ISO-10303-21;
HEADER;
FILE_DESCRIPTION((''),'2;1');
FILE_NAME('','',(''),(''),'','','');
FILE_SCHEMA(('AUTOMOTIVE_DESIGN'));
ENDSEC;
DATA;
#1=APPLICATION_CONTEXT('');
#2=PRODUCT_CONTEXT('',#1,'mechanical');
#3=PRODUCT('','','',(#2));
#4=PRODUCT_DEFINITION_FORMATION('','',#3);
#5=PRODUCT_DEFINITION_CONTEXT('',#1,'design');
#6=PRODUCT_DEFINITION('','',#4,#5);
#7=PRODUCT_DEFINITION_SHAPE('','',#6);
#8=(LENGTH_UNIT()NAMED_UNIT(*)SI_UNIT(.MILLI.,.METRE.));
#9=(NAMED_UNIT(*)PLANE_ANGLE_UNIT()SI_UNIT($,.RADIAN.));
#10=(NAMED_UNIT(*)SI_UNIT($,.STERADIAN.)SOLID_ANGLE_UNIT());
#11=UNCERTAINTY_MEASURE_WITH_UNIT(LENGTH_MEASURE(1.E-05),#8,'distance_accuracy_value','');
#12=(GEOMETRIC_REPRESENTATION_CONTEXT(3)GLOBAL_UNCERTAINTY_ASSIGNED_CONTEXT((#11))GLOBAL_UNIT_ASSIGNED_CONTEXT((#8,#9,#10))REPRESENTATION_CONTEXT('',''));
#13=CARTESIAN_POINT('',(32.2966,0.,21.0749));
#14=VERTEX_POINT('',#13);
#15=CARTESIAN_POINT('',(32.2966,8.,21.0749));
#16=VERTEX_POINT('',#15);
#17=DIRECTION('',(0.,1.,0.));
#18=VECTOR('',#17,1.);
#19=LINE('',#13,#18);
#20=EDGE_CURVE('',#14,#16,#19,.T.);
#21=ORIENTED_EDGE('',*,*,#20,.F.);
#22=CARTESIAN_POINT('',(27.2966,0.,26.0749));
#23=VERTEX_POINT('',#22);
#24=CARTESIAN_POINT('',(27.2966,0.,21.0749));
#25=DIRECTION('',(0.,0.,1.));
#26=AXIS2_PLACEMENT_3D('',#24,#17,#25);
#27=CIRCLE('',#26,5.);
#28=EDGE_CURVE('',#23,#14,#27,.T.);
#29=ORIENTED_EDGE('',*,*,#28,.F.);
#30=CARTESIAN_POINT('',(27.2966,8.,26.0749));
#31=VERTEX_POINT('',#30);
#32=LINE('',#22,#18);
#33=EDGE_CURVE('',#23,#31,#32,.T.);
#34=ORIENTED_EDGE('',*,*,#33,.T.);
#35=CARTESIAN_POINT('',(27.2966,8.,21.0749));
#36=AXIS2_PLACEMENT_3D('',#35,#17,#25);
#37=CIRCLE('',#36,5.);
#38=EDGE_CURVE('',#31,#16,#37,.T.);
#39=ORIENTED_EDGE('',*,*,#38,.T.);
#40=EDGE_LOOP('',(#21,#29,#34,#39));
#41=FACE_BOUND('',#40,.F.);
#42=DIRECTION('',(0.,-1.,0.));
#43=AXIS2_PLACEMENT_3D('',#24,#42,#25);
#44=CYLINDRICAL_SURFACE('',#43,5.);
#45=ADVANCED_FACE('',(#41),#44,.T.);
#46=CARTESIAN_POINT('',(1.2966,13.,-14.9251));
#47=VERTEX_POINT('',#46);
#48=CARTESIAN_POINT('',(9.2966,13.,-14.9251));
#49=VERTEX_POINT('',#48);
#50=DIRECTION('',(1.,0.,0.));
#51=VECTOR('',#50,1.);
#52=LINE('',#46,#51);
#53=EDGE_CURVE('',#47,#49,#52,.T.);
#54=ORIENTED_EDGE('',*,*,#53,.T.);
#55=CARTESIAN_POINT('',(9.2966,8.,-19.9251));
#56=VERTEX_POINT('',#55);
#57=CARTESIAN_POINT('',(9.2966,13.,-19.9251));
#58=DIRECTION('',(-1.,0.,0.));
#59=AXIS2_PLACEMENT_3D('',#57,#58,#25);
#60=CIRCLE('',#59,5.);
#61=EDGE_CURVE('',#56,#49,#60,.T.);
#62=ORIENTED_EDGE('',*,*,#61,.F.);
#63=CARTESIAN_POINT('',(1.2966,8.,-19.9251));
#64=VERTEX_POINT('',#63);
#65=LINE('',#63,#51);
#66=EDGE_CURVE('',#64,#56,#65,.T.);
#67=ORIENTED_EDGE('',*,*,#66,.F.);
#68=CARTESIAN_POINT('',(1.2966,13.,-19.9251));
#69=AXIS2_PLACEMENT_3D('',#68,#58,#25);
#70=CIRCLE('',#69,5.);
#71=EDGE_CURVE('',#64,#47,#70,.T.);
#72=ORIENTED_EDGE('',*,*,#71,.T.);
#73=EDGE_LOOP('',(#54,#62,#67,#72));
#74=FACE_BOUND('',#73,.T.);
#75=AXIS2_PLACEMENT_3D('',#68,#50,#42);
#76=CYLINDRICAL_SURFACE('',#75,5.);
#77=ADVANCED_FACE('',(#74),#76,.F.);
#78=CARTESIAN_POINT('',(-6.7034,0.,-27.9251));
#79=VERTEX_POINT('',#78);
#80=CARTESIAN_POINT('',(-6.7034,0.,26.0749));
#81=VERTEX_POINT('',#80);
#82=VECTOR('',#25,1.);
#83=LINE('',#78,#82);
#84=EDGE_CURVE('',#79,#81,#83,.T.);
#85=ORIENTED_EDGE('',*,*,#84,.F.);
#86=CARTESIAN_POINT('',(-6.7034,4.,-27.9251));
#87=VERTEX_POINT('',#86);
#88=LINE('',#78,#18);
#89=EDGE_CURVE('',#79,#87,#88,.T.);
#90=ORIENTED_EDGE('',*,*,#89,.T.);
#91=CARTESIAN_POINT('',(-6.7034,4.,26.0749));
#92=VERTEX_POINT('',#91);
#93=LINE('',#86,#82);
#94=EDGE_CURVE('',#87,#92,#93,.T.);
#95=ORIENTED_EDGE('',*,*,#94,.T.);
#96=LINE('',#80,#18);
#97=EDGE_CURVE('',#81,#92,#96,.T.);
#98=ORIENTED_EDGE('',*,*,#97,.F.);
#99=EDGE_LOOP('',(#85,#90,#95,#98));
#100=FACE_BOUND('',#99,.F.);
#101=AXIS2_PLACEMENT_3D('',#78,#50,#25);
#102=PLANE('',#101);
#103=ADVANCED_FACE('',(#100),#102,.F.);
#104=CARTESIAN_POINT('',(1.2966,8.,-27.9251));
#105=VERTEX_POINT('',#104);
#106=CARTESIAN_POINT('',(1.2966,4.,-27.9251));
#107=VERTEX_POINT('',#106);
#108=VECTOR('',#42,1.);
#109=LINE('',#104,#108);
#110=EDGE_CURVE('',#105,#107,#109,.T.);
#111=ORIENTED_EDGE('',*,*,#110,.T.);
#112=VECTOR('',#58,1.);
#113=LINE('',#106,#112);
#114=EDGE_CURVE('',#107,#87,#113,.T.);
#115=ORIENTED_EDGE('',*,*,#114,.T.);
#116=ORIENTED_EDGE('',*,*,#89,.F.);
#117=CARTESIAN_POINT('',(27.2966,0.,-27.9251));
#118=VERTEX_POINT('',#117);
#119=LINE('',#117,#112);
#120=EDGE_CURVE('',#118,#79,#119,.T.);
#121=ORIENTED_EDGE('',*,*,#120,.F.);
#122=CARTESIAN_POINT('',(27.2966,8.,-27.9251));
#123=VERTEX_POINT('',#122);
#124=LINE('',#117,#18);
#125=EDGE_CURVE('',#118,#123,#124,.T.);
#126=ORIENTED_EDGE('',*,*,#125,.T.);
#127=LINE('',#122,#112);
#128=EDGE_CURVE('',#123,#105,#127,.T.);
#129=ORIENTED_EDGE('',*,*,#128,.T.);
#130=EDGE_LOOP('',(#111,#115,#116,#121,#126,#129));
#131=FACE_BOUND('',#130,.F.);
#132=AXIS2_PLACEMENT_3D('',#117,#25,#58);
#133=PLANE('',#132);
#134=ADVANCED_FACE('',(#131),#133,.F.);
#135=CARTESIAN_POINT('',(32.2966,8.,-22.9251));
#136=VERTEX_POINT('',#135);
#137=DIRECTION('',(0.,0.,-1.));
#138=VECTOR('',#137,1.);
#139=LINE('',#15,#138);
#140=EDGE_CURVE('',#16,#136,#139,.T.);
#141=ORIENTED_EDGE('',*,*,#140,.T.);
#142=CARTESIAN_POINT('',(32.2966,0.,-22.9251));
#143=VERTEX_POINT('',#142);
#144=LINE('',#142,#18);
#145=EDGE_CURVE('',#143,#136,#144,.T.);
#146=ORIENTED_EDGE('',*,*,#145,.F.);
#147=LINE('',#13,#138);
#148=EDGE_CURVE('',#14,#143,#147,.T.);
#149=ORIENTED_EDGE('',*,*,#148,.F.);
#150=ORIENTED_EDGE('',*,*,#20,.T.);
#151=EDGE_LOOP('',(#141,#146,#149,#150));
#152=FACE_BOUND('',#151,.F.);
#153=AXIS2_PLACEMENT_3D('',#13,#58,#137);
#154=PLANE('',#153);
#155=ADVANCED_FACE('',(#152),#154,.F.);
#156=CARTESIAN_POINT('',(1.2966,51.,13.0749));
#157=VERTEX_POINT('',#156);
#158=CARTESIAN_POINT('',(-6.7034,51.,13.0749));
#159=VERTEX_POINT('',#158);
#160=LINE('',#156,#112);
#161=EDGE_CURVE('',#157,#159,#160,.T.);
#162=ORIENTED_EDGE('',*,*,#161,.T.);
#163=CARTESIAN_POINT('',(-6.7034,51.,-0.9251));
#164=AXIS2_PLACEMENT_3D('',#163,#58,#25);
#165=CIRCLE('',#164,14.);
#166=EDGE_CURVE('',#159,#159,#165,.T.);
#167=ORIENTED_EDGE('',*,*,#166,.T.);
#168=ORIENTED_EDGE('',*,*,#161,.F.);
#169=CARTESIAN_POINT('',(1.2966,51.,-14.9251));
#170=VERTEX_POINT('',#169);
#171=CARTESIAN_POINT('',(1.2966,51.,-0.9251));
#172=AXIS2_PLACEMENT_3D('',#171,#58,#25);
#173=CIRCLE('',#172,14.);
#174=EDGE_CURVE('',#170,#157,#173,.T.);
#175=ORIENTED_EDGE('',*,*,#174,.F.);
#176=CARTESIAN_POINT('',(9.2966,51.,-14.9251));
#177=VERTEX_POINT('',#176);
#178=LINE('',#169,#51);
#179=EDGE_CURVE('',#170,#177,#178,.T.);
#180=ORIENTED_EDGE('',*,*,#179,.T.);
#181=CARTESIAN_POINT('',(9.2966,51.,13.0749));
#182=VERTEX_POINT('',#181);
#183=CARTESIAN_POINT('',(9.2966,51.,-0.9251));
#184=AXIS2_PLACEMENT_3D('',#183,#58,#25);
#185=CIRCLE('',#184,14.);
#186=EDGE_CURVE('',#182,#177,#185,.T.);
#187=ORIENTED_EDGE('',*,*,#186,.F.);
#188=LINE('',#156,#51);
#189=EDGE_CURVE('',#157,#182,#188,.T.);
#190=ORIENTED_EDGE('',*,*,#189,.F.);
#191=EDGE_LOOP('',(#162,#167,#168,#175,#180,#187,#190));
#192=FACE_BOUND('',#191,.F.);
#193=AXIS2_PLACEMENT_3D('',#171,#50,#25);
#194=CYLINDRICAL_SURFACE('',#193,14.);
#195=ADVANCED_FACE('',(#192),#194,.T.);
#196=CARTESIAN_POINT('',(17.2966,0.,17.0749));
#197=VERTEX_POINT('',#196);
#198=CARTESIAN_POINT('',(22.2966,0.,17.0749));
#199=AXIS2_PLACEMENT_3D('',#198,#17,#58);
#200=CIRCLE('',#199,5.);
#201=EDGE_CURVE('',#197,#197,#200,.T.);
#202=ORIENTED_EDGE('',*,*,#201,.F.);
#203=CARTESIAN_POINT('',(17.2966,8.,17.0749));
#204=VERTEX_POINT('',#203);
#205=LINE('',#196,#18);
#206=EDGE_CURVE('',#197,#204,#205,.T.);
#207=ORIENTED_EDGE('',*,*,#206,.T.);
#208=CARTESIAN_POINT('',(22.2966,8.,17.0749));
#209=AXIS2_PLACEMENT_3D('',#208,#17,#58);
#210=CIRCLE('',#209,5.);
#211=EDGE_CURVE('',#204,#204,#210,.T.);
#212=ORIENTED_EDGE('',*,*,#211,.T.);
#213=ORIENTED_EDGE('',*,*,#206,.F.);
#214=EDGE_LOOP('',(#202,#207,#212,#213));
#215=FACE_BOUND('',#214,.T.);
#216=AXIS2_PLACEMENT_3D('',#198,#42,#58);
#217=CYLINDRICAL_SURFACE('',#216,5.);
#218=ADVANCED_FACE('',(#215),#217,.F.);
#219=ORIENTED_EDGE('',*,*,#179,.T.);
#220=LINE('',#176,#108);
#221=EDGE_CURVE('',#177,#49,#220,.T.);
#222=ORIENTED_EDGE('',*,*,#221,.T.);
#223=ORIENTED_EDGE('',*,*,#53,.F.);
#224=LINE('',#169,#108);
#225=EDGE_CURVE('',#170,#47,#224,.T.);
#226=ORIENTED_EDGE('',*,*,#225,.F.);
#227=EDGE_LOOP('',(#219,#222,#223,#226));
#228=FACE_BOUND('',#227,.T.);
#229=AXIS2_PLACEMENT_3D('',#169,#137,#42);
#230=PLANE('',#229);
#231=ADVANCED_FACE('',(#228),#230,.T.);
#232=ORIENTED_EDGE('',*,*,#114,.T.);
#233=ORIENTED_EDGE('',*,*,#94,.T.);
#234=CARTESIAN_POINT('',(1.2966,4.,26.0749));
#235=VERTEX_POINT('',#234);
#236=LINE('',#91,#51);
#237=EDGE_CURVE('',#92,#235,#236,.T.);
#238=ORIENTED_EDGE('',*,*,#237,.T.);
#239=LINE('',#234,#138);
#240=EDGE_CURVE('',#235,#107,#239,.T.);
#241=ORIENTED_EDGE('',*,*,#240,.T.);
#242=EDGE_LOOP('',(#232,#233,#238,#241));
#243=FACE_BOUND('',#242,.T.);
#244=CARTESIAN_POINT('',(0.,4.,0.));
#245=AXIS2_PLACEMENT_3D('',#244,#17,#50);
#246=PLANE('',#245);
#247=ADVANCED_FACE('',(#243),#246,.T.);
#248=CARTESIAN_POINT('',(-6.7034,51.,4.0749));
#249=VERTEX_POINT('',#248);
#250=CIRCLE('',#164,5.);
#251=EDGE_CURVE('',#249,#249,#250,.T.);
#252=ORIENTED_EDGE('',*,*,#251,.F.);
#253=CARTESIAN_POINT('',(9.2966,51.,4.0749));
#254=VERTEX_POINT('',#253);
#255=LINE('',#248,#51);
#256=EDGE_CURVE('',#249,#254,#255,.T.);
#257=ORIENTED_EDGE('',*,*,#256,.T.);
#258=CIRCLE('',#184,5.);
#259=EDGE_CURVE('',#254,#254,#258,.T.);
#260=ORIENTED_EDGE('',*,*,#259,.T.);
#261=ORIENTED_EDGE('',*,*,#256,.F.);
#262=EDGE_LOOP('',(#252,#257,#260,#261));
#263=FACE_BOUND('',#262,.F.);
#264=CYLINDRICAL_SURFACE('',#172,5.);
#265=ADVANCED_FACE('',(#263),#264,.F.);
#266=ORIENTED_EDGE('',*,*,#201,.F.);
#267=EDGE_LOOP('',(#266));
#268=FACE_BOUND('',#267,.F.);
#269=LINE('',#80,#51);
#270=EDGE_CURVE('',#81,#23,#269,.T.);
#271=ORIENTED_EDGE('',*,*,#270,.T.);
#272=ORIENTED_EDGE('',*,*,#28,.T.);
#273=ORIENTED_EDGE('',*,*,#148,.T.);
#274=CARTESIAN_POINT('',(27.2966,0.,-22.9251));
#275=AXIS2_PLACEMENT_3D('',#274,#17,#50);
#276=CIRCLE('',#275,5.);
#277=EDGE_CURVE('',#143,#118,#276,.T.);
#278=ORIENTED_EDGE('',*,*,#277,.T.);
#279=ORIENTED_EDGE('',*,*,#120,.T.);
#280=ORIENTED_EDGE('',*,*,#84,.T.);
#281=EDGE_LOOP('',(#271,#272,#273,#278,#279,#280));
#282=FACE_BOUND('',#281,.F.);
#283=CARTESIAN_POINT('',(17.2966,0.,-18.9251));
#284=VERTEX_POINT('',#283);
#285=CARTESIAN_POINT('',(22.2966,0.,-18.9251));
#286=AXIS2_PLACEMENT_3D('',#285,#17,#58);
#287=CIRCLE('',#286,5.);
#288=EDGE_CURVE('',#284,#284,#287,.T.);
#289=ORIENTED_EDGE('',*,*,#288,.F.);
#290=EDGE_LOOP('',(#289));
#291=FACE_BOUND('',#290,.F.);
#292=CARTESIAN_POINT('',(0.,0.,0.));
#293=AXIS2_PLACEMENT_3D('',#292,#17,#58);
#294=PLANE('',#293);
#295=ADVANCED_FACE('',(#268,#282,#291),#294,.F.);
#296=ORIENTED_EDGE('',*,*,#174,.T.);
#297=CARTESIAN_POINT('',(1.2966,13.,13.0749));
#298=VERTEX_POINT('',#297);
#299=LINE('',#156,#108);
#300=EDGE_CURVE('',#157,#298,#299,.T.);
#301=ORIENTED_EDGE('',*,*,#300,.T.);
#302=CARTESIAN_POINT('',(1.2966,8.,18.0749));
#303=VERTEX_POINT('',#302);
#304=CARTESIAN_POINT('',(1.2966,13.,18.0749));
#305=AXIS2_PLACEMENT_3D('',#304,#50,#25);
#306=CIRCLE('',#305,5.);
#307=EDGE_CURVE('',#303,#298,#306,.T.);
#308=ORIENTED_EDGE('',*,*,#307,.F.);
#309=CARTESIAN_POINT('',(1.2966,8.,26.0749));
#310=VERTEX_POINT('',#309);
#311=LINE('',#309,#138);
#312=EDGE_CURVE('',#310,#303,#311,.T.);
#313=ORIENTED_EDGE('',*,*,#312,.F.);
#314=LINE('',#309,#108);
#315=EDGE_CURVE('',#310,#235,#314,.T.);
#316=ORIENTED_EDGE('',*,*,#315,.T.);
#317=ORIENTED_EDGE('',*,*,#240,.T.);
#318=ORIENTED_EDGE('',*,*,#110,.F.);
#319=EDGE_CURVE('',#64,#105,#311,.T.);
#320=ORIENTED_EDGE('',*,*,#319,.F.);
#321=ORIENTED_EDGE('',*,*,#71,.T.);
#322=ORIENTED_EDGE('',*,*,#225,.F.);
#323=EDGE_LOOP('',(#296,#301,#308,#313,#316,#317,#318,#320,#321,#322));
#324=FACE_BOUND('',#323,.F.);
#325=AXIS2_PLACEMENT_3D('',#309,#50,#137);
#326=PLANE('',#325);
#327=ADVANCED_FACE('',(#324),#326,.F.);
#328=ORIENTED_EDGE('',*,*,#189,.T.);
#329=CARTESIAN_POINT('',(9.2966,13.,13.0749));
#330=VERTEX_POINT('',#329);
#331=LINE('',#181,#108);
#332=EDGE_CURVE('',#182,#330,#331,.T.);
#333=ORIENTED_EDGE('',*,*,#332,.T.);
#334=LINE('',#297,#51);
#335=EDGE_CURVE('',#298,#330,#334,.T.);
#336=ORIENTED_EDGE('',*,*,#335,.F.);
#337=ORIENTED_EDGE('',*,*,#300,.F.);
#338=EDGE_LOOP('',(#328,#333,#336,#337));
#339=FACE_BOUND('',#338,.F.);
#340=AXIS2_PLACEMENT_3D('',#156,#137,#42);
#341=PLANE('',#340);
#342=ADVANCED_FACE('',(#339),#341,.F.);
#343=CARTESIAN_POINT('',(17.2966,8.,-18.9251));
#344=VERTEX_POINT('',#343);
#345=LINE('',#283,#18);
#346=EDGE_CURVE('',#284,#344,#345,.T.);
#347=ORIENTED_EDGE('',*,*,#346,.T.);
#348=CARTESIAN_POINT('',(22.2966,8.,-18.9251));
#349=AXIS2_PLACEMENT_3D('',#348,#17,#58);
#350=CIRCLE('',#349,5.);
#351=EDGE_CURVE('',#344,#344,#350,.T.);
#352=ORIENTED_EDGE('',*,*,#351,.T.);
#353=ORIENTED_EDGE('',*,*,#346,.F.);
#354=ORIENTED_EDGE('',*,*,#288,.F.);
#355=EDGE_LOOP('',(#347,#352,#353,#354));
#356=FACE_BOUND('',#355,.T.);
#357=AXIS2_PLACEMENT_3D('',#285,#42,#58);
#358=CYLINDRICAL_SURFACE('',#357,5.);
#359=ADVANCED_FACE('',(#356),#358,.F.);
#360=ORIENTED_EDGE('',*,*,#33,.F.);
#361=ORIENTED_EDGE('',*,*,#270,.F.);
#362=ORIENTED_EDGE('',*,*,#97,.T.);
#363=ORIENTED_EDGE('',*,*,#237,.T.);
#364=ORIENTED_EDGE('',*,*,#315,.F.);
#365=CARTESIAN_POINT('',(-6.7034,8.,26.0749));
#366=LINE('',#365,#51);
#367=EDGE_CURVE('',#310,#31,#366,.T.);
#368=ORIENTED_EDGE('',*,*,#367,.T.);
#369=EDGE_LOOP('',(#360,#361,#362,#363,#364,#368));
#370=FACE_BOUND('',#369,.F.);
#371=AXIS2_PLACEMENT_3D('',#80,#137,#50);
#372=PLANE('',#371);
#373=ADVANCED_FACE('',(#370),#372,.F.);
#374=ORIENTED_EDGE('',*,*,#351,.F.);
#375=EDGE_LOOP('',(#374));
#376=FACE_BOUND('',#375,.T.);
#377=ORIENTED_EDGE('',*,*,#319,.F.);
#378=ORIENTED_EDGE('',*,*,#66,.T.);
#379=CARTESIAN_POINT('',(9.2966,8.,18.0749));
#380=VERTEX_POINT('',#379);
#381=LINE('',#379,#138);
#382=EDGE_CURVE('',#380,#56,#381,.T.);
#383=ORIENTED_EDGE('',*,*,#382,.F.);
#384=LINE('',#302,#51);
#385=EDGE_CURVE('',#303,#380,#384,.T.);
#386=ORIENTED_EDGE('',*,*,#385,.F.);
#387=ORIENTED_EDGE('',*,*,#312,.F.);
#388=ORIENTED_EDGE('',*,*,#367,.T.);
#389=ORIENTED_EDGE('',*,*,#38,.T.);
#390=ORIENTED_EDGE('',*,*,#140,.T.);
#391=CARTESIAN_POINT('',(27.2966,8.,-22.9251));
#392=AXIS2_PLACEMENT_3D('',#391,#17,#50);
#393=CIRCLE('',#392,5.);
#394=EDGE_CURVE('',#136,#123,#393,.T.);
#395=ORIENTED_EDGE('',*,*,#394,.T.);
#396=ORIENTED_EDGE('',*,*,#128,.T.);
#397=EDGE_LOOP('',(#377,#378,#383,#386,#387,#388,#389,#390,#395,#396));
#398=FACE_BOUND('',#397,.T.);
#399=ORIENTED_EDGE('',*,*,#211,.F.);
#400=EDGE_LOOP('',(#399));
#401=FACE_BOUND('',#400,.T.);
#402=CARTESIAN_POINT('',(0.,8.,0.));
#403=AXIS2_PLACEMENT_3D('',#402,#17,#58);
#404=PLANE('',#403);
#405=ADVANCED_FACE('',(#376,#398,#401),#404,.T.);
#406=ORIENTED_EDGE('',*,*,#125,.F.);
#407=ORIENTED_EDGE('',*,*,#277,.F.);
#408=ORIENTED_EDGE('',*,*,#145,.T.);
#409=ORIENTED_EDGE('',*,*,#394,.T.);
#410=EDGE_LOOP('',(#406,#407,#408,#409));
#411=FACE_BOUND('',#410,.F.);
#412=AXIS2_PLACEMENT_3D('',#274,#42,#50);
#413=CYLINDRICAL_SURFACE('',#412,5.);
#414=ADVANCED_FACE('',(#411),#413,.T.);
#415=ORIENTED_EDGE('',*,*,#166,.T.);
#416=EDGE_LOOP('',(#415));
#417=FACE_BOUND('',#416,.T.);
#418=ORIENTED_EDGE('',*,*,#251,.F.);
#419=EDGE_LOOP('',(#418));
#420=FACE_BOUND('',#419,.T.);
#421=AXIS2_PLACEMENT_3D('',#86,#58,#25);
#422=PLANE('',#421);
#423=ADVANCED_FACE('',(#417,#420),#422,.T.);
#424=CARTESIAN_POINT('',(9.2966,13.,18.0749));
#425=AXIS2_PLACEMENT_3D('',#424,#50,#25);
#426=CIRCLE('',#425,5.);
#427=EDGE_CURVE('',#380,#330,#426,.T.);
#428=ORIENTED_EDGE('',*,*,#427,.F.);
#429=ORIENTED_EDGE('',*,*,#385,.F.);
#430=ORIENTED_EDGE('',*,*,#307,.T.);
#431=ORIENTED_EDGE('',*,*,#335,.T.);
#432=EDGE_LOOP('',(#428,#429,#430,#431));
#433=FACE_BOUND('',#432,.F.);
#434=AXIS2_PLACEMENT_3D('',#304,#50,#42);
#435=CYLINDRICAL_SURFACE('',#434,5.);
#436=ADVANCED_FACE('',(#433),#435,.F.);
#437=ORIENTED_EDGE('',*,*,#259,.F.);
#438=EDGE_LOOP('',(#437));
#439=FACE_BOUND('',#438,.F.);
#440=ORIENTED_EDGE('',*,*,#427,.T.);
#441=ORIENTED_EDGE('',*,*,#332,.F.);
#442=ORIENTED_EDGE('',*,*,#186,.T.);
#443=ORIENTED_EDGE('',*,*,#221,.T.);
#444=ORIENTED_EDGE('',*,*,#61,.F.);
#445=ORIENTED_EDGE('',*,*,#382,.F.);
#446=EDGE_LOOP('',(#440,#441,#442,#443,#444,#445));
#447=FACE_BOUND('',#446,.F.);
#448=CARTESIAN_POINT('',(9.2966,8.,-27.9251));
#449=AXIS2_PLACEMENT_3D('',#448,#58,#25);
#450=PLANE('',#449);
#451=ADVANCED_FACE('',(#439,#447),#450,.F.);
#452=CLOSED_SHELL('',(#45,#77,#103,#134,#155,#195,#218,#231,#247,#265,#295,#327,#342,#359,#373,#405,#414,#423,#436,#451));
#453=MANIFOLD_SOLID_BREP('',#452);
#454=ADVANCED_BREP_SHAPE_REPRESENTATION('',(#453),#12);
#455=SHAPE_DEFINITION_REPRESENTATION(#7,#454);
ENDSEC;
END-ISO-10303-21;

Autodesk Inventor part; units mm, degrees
ref_plane "YZ Plane" through (0, 0, 0) normal (1, 0, 0) x (0, 1, 0)
ref_plane "XZ Plane" through (0, 0, 0) normal (0, 1, 0) x (-1, 0, 0)
ref_plane "XY Plane" through (0, 0, 0) normal (0, 0, 1) x (1, 0, 0)
sketch "Sketch1" plane through (0, 0, 0) normal (0, 1, 0) x (-1, 0, 0)
  line L0 (6.7034, 26.0749) -> (-27.2966, 26.0749)
  line L1 (-32.2966, 21.0749) -> (-32.2966, -22.9251)
  line L2 (-27.2966, -27.9251) -> (6.7034, -27.9251)
  line L3 (6.7034, -27.9251) -> (6.7034, 26.0749)
  arc A0 (-27.2966, 26.0749) -> (-32.2966, 21.0749) centre (-27.2966, 21.0749) ccw
  arc A1 (-32.2966, -22.9251) -> (-27.2966, -27.9251) centre (-27.2966, -22.9251) ccw
  circle A2 centre (-22.2966, 17.0749) radius 5
  circle A3 centre (-22.2966, -18.9251) radius 5
  point P0 (0, 0)
  point P1 (-32.2966, -27.9251)
  point P2 (-32.2966, 26.0749)
  dimension "d0" = 39
  dimension "d1" = 54
  dimension "d2" = 5
  dimension "d3" = 5
  dimension "d5" = 10
  dimension "d6" = 9
  dimension "d8" = 10
  dimension "d9" = 9
extrude "Extrusion1" add sketch "Sketch1" along normal blind 8
sketch "Sketch2" plane through (0, 8, 0) normal (0, 1, 0) x (1, 0, 0)
  line L0 (-6.7034, 27.9251) -> (-6.7034, -26.0749) projected
  line L1 (-6.7034, -26.0749) -> (1.2966, -26.0749)
  line L2 (-6.7034, -26.0749) -> (27.2966, -26.0749) projected
  line L3 (1.2966, -26.0749) -> (1.2966, 27.9251)
  line L4 (1.2966, 27.9251) -> (-6.7034, 27.9251)
  line L5 (-6.7034, -26.0749) -> (-6.7034, 27.9251)
  point P0 (0, 0)
  dimension "d12" = 8
  dimension "d13" = 54
extrude "Extrusion2" cut sketch "Sketch2" against normal blind 4
ref_plane "Work Plane2" through (1.2966, 8, -27.9251) normal (-1, 0, 0) x (0, 0, 1)
sketch "Sketch3" plane through (1.2966, 8, -27.9251) normal (-1, 0, 0) x (0, 0, 1)
  line L0 (0, 0) -> (54, 0) projected
  circle A0 centre (27, 43) radius 5
  arc A1 (41, 43) -> (13, 43) centre (27, 43) ccw
  line L1 (13, 43) -> (13, 0)
  line L2 (4, 0) -> (14, 0) projected
  line L3 (41, 43) -> (41, 0)
  line L4 (13, 0) -> (41, 0)
  point P0 (27.9251, -8)
  point P1 (13, 0)
  dimension "d19" = 10
extrude "Extrusion3" add sketch "Sketch3" against normal blind 8
fillet "Fillet1" radius 5 1 edges at (5.2966, 8, -14.9251)
fillet "Fillet2" radius 5 1 edges at (5.2966, 8, 13.0749)
sketch "Sketch4" plane through (1.2966, 4, -27.9251) normal (-1, 0, 0) x (0, 0, 1)
  line L0 (0, 0) -> (0, 4) projected
  circle A0 centre (27, 47) radius 14
  point P0 (27.9251, -4)
extrude "Extrusion4" add sketch "Sketch4" along normal blind 8
sketch "Sketch5" plane through (-6.7034, 51, -0.9251) normal (-1, 0, 0) x (0, 0, 1)
  circle A0 centre (0, 0) radius 5
  point P0 (0.9251, -51)
  dimension "d29" = 10
extrude "Extrusion5" cut sketch "Sketch5" against normal blind 8
properties part number "4 - Part 1"
